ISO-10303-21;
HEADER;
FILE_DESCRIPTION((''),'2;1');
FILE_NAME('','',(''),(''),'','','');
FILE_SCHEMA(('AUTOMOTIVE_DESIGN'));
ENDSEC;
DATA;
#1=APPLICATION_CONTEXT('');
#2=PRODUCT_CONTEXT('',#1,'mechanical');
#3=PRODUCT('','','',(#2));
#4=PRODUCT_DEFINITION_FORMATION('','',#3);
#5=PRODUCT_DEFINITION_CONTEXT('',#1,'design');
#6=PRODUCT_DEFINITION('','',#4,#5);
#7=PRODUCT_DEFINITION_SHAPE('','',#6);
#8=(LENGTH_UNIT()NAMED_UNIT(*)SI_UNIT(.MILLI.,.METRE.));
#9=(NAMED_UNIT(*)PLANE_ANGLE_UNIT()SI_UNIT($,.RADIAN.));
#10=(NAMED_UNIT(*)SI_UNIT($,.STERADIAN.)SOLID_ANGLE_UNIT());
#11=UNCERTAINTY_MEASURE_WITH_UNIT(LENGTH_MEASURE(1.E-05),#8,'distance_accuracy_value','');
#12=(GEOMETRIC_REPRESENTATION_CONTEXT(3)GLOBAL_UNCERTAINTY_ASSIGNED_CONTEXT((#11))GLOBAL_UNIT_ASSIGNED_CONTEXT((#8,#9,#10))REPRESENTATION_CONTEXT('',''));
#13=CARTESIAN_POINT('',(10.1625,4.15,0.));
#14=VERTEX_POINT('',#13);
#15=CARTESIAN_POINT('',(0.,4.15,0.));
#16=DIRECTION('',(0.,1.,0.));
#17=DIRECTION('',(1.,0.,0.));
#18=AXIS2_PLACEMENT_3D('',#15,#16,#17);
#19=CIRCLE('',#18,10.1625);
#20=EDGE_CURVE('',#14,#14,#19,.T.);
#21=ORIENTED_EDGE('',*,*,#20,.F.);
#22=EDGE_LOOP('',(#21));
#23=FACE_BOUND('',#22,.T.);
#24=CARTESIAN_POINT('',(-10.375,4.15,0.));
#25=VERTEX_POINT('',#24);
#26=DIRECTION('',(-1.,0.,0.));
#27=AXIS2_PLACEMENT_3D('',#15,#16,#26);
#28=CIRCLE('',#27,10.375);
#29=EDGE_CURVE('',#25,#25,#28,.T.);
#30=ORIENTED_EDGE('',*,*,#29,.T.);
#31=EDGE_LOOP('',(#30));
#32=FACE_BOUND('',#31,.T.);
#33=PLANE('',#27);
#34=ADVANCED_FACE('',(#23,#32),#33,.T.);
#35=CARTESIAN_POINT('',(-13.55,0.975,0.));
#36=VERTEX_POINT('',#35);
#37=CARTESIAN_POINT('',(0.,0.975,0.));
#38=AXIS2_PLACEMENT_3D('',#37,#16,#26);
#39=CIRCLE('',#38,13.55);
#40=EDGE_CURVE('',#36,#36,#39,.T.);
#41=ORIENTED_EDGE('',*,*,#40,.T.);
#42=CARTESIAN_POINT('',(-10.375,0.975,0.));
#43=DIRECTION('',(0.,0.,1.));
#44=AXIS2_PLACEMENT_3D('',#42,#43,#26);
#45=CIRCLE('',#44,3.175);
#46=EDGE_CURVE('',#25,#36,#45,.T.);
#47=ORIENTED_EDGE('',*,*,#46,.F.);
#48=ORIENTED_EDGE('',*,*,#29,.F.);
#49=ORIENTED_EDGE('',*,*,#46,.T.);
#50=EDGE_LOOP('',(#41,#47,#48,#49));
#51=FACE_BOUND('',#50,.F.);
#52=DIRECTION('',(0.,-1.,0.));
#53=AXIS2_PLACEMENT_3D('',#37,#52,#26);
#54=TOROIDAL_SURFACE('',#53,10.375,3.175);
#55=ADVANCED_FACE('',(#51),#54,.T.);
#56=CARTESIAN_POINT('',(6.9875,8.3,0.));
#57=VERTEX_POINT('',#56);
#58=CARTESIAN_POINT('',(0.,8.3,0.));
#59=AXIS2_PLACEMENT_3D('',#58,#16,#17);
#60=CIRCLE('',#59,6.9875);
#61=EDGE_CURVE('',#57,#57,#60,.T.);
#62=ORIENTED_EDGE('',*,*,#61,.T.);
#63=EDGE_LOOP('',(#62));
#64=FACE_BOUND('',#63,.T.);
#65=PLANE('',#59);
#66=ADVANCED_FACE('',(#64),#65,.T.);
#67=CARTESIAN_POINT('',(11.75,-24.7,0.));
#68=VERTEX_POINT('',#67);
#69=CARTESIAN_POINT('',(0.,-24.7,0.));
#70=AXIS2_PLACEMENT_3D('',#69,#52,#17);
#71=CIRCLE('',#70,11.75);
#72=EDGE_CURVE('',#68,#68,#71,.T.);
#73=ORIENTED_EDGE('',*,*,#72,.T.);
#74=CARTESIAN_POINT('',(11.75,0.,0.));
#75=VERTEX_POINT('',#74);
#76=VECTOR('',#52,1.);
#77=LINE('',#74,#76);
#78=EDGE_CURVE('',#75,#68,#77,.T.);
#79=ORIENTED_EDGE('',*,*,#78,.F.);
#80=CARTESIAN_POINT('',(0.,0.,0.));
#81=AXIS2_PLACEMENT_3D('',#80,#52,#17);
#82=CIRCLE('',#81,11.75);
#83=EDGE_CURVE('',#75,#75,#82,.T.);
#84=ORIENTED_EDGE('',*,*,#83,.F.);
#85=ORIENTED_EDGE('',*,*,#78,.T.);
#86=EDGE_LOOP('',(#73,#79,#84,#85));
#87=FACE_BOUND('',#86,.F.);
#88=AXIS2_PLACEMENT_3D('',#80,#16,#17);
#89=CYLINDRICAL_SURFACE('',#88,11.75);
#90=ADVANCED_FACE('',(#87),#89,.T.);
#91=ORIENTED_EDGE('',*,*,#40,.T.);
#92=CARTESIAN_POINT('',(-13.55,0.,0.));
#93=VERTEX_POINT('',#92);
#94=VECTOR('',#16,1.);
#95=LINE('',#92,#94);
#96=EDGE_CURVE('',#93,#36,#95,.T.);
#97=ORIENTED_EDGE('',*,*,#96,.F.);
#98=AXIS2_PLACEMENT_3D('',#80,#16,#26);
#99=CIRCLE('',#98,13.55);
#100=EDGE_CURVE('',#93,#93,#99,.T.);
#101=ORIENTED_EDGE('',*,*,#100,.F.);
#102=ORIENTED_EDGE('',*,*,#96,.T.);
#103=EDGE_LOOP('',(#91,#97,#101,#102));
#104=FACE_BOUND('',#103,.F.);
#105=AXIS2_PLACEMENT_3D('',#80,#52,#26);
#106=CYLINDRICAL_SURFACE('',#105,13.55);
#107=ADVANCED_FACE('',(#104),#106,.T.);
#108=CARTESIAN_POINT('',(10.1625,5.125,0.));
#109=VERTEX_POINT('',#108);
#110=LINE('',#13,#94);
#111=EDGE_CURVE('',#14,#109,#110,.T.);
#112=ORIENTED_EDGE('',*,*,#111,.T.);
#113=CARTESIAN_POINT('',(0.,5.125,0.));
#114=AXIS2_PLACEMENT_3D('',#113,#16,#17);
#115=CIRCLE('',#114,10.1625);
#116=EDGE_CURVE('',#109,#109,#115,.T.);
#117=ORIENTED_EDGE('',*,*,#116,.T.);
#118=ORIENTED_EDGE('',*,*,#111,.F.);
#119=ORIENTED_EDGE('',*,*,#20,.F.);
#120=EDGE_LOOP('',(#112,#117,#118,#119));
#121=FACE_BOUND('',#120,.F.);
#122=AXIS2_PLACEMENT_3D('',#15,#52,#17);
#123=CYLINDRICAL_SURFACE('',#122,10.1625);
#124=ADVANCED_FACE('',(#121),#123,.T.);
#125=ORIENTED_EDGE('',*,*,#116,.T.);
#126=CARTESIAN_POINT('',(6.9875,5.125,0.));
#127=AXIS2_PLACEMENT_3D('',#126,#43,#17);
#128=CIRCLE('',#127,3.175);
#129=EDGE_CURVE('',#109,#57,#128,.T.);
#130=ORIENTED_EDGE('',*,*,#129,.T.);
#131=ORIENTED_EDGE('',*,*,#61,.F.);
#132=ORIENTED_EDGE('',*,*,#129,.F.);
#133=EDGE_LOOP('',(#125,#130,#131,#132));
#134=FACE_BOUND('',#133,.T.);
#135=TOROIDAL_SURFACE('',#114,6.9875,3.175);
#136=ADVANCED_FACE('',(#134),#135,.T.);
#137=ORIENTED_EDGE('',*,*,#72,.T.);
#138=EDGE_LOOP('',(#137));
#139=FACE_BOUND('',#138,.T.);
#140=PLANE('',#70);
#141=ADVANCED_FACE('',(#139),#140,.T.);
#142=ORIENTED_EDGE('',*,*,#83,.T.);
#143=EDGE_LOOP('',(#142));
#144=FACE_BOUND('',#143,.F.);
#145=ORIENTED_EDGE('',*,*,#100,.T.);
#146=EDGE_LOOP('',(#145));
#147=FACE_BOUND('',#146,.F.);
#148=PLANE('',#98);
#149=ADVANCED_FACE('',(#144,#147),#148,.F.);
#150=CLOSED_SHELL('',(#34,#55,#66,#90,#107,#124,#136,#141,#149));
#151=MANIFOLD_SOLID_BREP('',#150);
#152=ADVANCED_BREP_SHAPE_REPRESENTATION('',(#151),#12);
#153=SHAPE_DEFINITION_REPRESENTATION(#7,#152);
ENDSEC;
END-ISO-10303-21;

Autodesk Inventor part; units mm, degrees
ref_plane "YZ Plane" through (0, 0, 0) normal (1, 0, 0) x (0, 1, 0)
ref_plane "XZ Plane" through (0, 0, 0) normal (0, 1, 0) x (-1, 0, 0)
ref_plane "XY Plane" through (0, 0, 0) normal (0, 0, 1) x (1, 0, 0)
sketch "Sketch1" plane through (0, 0, 0) normal (0, 1, 0) x (-1, 0, 0)
  circle A0 centre (0, 0) radius 13.55
  dimension "d0" = 27.1
extrude "Extrusion1" add sketch "Sketch1" along normal blind 4.15
sketch "Sketch2" plane through (0, 4.15, 0) normal (0, 1, 0) x (1, 0, 0)
  circle A0 centre (0, 0) radius 10.1625
  dimension "d3" = 20.325
extrude "Extrusion2" add sketch "Sketch2" along normal blind 4.15
fillet "Fillet1" radius 3.175 1 edges at (-10.1625, 8.3, 0)
fillet "Fillet2" radius 3.175 1 edges at (13.55, 4.15, 0)
sketch "Sketch3" plane through (0, 0, 0) normal (0, -1, 0) x (1, 0, 0)
  circle A0 centre (0, 0) radius 11.75
  dimension "d8" = 23.5
extrude "Extrusion3" add sketch "Sketch3" along normal blind 24.7
properties part number "small_button"
